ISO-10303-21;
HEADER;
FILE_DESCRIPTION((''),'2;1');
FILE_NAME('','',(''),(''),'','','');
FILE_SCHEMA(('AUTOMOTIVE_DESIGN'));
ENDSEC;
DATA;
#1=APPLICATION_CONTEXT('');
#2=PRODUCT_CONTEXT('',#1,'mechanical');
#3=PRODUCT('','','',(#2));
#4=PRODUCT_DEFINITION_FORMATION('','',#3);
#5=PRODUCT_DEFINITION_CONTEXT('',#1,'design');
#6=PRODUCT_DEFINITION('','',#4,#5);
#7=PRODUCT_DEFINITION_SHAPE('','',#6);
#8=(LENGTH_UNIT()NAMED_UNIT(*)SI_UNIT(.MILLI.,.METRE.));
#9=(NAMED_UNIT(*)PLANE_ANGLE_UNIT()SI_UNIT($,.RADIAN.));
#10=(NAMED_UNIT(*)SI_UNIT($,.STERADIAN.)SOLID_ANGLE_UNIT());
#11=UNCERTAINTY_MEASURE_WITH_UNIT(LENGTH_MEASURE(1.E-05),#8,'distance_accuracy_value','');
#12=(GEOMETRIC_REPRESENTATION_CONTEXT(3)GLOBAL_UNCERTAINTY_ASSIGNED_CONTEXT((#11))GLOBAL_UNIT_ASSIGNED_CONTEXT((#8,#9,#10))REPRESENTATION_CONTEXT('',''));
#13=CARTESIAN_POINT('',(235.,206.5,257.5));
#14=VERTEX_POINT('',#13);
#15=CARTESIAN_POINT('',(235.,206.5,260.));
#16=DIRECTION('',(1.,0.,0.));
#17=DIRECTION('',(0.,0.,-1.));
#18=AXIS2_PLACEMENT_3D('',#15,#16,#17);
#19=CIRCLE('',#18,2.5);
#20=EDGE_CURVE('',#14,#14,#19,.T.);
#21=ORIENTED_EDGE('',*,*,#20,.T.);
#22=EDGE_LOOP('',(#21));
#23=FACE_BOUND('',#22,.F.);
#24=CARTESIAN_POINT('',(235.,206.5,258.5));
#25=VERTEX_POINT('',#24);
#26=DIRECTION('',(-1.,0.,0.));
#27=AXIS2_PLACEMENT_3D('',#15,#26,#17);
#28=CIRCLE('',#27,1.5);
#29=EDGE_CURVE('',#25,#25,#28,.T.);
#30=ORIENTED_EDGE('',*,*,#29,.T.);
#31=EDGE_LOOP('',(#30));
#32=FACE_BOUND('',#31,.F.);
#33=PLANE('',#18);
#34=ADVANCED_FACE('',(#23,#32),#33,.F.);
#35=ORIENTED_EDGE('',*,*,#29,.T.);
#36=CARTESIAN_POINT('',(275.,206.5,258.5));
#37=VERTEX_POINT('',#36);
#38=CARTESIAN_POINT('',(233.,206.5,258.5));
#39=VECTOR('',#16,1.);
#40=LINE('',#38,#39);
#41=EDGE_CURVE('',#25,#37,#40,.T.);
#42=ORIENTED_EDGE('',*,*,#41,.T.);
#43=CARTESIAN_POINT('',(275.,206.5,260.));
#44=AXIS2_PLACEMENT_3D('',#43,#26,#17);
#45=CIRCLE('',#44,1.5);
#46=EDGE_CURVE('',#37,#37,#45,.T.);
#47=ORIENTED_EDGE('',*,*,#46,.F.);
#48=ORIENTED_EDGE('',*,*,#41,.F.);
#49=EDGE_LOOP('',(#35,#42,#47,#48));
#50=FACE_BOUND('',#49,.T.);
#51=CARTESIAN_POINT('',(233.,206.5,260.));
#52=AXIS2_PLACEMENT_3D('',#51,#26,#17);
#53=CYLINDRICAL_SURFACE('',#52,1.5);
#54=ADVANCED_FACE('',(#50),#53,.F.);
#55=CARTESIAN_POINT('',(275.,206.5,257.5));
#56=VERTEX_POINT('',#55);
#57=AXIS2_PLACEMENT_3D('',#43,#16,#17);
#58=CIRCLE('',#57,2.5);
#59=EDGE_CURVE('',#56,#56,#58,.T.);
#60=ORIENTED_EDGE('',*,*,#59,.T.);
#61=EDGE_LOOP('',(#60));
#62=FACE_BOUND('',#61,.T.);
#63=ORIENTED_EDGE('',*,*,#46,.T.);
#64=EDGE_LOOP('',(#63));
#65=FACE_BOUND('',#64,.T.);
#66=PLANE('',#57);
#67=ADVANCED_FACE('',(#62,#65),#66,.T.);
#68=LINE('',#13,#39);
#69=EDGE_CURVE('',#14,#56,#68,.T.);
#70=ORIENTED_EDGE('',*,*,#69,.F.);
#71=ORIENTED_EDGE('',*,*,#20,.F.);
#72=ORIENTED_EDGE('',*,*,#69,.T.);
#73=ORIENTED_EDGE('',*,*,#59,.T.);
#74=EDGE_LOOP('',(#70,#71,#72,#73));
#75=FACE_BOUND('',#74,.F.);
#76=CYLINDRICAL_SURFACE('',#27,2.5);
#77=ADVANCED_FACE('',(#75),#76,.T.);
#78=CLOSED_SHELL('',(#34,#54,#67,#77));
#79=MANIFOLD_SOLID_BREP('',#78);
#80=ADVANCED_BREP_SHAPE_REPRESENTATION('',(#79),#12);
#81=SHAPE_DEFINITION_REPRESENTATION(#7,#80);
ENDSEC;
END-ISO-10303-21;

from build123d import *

# Parameters (mm, degrees)
CYLINDER007_R           = 1.5
CYLINDER007_DEPTH       = 44
CYLINDER007_PITCH_ANGLE = 90
CYLINDER006_R           = 2.5
CYLINDER006_DEPTH       = 40
CYLINDER006_PITCH_ANGLE = 90


with BuildPart() as cilindro007:
    # Cylinder007 → Cylinder007 (new body)
    with BuildSketch(Plane.XY):
        Circle(CYLINDER007_R)
    extrude(amount=CYLINDER007_DEPTH)


with BuildPart() as cilindro007_1:
    # Cylinder007 pitch: moved
    add(cilindro007.part.rotate(Axis((0, 0, 0), (0, 1, 0)), CYLINDER007_PITCH_ANGLE))


with BuildPart() as cilindro007_2:
    # Cylinder007 placement: moved
    add(cilindro007_1.part.moved(Location((-2, 0, 0))))


with BuildPart() as soporte4:
    # Cylinder006 → Cylinder006 (new body)
    with BuildSketch(Plane.XY):
        Circle(CYLINDER006_R)
    extrude(amount=CYLINDER006_DEPTH)


with BuildPart() as soporte4_1:
    # Cylinder006 pitch: moved
    add(soporte4.part.rotate(Axis((0, 0, 0), (0, 1, 0)), CYLINDER006_PITCH_ANGLE))


with BuildPart() as soporte4_2:
    # Cylinder006 placement: moved
    add(soporte4_1.part)

    # Cut003: cut Cilindro007
    add(cilindro007_2.part, mode=Mode.SUBTRACT)


with BuildPart() as soporte4_3:
    # Cut003 placement: moved
    add(soporte4_2.part.moved(Location((235, 206.5, 260))))


solid = soporte4_3.part
